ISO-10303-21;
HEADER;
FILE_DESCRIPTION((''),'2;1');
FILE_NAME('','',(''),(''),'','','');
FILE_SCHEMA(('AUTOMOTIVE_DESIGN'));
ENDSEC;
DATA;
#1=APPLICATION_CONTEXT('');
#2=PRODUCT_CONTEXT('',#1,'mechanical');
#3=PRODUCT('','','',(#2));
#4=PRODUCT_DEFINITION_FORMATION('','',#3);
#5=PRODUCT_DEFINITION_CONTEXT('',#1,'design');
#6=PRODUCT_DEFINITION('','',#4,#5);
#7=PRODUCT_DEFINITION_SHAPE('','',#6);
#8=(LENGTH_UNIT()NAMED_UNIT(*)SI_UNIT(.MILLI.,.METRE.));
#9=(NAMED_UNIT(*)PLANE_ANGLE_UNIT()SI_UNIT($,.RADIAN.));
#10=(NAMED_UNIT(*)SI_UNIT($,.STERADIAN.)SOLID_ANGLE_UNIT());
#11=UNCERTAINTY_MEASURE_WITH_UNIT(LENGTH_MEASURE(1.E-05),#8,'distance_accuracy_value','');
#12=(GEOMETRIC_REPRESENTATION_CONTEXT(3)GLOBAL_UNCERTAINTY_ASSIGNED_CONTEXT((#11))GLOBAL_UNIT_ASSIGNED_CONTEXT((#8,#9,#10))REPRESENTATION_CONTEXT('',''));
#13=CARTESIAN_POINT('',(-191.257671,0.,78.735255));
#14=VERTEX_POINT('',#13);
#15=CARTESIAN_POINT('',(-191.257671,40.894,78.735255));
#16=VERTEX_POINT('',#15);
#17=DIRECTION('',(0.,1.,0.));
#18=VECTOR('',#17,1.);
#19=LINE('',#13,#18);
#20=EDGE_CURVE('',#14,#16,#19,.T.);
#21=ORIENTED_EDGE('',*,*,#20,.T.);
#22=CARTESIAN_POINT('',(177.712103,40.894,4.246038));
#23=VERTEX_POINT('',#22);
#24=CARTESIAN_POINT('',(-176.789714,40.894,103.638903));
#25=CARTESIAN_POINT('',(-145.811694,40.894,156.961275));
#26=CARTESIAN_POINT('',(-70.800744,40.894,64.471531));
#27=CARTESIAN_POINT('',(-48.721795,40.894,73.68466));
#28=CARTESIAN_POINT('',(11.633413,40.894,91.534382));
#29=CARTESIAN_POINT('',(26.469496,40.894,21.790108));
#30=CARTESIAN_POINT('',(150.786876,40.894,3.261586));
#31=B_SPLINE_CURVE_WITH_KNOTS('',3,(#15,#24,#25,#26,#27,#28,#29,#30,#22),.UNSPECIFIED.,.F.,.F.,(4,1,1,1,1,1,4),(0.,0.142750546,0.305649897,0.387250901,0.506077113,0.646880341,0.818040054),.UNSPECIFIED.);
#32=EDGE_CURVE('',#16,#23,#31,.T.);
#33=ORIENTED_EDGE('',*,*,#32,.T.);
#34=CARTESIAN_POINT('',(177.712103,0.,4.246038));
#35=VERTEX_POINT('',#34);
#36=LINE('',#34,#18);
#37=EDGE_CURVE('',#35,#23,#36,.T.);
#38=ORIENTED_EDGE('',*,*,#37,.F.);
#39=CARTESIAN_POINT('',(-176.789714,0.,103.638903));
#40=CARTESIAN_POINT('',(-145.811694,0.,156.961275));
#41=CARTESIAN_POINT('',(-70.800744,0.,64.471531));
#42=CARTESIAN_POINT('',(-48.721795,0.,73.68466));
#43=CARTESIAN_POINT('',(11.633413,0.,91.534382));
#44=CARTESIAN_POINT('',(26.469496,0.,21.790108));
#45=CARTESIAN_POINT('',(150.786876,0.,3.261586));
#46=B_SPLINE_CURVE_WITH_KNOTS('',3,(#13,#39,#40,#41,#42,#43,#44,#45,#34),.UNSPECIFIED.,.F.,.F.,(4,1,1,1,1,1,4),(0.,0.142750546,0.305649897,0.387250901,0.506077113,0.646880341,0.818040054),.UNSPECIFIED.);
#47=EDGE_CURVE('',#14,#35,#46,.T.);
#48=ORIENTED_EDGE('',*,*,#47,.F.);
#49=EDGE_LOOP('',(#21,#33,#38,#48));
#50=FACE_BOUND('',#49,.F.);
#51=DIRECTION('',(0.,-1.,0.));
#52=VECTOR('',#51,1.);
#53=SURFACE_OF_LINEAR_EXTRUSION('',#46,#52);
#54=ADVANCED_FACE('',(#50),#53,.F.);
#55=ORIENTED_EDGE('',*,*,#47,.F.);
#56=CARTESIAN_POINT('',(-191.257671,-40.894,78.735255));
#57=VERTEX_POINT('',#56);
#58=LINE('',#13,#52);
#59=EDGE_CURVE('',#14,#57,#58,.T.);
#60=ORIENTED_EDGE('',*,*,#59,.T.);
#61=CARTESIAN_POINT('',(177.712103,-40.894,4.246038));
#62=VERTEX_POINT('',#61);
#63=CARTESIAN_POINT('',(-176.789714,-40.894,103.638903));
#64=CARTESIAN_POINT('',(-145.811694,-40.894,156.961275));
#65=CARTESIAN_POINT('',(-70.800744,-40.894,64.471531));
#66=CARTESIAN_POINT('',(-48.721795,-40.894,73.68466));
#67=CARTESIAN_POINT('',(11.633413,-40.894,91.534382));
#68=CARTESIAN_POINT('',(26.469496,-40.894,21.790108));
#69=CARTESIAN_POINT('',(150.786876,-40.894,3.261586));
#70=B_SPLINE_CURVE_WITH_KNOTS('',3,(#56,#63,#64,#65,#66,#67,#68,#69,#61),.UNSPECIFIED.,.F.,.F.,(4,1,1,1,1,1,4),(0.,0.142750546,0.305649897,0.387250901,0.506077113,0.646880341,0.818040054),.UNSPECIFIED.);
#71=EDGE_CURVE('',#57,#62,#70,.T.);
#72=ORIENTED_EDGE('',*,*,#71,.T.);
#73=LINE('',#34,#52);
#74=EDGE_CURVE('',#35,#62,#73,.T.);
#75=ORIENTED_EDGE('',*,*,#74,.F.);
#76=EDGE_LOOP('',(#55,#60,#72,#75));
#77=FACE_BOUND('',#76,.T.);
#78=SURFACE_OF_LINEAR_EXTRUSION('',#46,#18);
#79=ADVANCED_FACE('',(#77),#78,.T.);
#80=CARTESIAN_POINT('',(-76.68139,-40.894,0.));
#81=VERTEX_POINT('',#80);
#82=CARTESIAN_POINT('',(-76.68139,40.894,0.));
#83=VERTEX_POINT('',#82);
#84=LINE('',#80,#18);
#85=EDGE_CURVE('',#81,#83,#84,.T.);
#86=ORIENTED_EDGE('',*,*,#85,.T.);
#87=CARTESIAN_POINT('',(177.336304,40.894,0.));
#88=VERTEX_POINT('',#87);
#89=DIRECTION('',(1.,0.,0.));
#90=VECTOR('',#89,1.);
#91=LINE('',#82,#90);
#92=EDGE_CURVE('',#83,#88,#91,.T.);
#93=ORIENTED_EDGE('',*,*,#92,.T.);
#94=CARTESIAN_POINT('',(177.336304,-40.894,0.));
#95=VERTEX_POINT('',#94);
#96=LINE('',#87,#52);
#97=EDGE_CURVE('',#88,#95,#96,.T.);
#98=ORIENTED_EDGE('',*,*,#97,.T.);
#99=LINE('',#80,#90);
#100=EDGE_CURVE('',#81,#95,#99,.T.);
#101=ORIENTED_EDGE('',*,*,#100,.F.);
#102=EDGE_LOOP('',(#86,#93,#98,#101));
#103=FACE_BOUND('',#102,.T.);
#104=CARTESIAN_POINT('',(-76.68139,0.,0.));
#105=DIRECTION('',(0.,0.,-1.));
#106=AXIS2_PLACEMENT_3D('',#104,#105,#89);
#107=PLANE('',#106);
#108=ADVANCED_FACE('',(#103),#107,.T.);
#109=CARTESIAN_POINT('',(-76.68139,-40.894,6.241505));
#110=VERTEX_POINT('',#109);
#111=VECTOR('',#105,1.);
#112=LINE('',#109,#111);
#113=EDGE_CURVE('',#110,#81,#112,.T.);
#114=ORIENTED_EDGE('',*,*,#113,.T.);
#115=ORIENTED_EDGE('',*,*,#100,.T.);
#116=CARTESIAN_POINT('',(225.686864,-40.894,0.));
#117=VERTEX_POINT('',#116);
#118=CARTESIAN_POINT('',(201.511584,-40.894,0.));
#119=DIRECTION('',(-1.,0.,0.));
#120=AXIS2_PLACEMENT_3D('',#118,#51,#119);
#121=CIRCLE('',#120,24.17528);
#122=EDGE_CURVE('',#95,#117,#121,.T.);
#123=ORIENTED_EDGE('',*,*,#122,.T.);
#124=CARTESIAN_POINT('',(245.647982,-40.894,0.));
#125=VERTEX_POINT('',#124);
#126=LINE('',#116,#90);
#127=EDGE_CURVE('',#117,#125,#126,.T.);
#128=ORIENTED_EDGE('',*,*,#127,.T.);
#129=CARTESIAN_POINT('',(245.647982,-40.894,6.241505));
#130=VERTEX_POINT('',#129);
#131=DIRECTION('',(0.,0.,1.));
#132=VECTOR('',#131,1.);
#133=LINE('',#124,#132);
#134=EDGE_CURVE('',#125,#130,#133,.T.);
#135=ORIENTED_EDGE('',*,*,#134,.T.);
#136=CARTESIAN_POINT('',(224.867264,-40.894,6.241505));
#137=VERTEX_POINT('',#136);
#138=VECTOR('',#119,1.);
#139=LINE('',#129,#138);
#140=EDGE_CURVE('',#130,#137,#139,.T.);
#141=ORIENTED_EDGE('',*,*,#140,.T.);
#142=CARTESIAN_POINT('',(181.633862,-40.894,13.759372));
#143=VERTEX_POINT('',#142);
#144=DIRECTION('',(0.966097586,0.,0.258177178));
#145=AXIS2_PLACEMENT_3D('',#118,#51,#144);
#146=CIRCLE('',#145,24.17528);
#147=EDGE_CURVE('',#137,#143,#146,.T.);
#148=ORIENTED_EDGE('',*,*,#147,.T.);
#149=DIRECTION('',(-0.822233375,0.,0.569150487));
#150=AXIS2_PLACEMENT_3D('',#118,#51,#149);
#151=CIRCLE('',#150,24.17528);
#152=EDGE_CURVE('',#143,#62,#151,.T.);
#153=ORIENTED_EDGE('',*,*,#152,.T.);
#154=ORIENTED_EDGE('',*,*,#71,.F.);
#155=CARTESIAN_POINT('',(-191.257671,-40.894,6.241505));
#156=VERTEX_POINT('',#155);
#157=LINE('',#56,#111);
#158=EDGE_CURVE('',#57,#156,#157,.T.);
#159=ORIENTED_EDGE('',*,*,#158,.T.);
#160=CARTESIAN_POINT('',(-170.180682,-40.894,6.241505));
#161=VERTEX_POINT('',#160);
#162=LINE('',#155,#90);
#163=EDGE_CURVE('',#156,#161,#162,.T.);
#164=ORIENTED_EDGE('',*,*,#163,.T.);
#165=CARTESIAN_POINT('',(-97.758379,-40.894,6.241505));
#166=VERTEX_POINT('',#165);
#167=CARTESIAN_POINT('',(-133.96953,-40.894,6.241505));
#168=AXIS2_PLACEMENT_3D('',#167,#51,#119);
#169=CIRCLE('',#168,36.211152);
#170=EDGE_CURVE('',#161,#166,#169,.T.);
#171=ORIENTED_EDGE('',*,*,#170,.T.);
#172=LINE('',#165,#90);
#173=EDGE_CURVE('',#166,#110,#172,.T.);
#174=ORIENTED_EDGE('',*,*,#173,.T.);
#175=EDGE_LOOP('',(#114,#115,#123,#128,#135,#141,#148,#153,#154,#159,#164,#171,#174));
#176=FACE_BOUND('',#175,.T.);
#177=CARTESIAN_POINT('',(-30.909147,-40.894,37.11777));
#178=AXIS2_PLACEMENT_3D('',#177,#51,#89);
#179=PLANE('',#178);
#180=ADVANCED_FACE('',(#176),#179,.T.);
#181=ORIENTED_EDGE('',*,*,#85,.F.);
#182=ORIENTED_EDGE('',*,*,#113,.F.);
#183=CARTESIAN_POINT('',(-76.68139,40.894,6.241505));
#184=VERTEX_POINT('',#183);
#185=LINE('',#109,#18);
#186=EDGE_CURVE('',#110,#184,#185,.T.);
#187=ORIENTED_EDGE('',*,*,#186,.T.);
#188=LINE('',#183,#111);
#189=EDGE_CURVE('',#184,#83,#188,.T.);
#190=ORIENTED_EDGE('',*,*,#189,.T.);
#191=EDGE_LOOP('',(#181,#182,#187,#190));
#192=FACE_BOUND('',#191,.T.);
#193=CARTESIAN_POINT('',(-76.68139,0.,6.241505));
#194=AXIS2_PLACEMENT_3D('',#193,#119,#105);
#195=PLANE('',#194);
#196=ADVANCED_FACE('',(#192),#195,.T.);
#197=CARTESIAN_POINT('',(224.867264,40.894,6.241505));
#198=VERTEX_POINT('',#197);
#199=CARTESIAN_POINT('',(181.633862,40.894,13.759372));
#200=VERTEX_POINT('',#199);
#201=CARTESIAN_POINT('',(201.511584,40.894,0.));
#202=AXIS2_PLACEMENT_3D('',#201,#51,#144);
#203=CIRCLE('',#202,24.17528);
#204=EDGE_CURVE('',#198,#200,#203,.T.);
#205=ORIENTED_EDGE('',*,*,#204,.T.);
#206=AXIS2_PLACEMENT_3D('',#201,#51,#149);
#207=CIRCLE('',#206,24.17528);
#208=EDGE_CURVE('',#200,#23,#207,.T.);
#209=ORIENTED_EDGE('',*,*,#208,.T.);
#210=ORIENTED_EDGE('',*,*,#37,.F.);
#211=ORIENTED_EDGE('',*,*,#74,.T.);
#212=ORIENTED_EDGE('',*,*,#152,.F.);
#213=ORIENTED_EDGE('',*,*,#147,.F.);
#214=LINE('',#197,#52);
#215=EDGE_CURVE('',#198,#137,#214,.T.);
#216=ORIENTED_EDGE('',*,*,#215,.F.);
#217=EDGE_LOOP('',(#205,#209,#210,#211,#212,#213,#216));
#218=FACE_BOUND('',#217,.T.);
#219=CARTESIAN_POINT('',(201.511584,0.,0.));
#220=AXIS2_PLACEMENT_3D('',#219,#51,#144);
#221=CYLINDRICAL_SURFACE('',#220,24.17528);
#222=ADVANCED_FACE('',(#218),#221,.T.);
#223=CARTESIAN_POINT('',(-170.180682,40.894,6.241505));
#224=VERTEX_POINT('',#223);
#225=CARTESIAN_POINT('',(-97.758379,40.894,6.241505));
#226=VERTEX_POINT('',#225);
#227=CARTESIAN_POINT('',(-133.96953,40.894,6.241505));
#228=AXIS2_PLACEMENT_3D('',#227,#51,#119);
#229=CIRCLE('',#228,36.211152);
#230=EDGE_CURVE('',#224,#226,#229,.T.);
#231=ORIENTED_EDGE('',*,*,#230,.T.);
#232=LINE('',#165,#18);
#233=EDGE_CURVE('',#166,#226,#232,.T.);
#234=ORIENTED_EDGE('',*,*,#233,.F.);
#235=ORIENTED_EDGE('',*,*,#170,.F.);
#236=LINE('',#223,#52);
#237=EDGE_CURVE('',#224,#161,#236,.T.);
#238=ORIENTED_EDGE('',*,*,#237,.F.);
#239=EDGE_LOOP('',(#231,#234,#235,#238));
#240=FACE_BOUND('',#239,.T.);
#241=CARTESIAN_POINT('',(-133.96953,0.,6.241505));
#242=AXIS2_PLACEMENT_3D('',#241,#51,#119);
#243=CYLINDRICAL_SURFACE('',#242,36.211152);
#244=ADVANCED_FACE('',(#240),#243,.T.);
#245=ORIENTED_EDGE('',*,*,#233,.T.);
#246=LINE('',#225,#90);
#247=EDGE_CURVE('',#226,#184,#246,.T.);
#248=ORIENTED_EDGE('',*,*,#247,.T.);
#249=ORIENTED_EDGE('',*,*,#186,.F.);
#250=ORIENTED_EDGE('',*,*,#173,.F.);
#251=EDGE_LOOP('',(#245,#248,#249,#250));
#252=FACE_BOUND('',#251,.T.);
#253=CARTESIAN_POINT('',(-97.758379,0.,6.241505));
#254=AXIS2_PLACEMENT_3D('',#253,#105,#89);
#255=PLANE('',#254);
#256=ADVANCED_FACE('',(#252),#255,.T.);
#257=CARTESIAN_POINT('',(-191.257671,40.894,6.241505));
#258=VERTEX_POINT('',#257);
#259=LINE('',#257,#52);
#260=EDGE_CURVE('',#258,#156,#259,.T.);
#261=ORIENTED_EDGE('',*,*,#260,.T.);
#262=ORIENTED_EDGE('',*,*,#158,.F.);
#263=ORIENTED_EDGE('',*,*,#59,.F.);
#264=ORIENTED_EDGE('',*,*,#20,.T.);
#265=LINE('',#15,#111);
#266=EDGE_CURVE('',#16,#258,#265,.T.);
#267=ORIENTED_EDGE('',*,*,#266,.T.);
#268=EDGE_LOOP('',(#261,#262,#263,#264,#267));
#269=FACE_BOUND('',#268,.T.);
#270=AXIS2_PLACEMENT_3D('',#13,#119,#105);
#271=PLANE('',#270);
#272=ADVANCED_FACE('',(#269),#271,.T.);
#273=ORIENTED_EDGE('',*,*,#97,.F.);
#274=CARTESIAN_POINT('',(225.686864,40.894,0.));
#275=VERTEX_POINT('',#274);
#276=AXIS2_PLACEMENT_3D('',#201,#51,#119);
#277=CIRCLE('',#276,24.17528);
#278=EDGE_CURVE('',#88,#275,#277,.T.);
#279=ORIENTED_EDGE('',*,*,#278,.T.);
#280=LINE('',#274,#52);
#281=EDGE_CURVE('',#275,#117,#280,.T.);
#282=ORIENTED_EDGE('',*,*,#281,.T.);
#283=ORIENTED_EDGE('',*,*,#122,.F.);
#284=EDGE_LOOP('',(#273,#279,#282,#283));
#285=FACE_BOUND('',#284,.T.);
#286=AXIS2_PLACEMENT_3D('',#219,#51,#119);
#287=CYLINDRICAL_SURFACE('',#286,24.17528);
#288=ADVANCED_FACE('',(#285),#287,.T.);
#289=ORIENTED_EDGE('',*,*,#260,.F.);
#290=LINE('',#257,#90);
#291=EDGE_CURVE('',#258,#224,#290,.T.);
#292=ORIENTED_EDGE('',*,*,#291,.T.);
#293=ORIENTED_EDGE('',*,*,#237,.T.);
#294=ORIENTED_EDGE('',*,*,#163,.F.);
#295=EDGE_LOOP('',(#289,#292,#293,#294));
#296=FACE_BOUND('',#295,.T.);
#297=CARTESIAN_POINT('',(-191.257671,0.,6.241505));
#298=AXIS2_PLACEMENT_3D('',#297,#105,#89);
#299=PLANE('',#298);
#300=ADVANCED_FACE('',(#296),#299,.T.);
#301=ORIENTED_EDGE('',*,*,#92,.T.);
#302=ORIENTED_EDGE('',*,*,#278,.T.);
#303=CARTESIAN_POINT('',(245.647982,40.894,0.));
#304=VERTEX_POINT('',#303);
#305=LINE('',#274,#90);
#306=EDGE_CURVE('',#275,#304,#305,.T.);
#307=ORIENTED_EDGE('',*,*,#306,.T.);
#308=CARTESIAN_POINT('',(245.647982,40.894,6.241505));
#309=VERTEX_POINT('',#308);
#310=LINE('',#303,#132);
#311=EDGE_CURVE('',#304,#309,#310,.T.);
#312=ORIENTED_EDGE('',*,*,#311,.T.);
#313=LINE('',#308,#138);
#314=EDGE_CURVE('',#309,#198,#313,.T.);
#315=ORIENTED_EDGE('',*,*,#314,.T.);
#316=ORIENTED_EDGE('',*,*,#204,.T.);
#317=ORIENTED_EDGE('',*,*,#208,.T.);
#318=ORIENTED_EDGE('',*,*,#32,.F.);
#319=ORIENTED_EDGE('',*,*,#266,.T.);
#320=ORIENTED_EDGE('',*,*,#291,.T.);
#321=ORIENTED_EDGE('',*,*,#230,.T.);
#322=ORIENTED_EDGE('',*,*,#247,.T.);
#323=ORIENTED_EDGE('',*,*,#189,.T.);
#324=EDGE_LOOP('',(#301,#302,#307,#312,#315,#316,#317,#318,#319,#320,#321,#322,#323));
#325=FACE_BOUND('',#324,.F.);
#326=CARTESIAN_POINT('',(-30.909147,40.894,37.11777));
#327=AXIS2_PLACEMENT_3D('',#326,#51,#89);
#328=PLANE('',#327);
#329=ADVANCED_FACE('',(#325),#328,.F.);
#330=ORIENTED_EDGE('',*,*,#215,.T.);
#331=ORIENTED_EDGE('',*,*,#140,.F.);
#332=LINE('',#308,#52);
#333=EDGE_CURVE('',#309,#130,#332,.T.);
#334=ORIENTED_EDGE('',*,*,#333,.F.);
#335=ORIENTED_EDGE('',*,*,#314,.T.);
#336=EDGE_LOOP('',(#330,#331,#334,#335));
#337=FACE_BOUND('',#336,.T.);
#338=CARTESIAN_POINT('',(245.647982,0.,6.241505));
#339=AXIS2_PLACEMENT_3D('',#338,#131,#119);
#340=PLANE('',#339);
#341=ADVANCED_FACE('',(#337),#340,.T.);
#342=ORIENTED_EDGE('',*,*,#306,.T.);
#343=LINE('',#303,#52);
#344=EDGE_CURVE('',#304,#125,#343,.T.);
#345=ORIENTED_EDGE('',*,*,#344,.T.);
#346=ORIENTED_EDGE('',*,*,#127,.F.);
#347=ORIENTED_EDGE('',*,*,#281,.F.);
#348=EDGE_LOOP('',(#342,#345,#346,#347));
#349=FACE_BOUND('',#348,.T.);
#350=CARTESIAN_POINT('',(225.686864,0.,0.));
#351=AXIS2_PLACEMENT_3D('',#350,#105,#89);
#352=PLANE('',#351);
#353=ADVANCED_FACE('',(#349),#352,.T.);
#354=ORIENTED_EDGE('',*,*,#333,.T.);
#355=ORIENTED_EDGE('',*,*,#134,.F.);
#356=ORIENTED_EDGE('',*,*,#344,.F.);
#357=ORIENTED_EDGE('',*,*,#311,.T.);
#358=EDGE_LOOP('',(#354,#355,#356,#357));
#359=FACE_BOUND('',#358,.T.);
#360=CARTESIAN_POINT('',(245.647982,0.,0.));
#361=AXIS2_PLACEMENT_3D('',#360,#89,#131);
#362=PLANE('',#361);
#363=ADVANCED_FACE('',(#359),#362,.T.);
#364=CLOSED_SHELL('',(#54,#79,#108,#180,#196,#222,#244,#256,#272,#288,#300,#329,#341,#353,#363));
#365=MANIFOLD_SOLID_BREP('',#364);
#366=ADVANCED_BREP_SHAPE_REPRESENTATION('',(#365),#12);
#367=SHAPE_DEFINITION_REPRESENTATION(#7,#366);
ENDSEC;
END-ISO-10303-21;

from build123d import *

# Parameters (mm, degrees)
F1_DEPTH = 40.894


with BuildPart() as f1:
    # F0 (on Front) → F1 (new body, symmetric)
    with BuildSketch(Plane.XZ):
        with BuildLine():
            Line((-76.6813904047, 0), (0, 0))
            Line((0, 0), (177.3363044405, 0))
            ThreePointArc((177.3363044405, 0), (177.4304373111, 2.1313178945), (177.7121028601, 4.2460380848))
            add(Edge.make_bspline(
                [(-191.2576705217, 78.735254705), (-176.7897142616, 103.6389034097), (-145.811693862, 156.9612748441), (-70.8007437924, 64.4715314557), (-48.7217952677, 73.6846603691), (11.6334131844, 91.5343821925), (26.4694964535, 21.7901076067), (150.7868761319, 3.2615863275), (177.7121028601, 4.2460380848)],
                knots=[0, 0, 0, 0, 0.1427505464, 0.3056498968, 0.3872509014, 0.5060771131, 0.6468803412, 0.8180400538, 0.8180400538, 0.8180400538, 0.8180400538], degree=3))
            Line((-191.2576705217, 78.735254705), (-191.2576705217, 6.2415054999))
            Line((-191.2576705217, 6.2415054999), (-170.1806822344, 6.2415054999))
            ThreePointArc((-170.1806822344, 6.2415054999), (-133.9695304632, 42.4526572712), (-97.758378692, 6.2415054999))
            Line((-97.758378692, 6.2415054999), (-76.6813904047, 6.2415054999))
            Line((-76.6813904047, 6.2415054999), (-76.6813904047, 0))
        make_face()
        with BuildLine():
            ThreePointArc((177.7121028601, 4.2460380848), (177.4304373111, 2.1313178945), (177.3363044405, 0))
            Line((177.3363044405, 0), (188.1369203329, 0))
            Line((188.1369203329, 0), (214.8862481117, 0))
            Line((214.8862481117, 0), (225.6868640041, 0))
            ThreePointArc((225.6868640041, 0), (225.4810881516, 3.1475441078), (224.867263652, 6.2415054999))
            Line((224.867263652, 6.2415054999), (214.8862481117, 6.2415054999))
            add(Edge.make_bspline(
                [(214.8862481117, 6.2415054999), (211.4686790941, 9.9028269528), (204.3524508043, 17.5266084088), (189.9467467672, 6.8039804975), (188.3806139351, 6.2415055042)],
                knots=[0, 0, 0, 0, 0.4416018613, 0.9195248558, 0.9195248558, 0.9195248558, 0.9195248558], degree=3))
            add(Edge.make_bspline(
                [(177.7121028601, 4.2460380848), (183.1855197187, 4.4461595137), (186.9530150931, 5.1070474778), (188.3806139297, 6.2415055052)],
                knots=[0.8180400538, 0.8180400538, 0.8180400538, 0.8180400538, 0.852833761, 0.852833761, 0.852833761, 0.852833761], degree=3))
        make_face()
        with BuildLine():
            Line((188.1369203329, 0), (177.3363044405, 0))
            ThreePointArc((177.3363044405, 0), (201.5115842223, -24.1752797818), (225.6868640041, 0))
            Line((225.6868640041, 0), (214.8862481117, 0))
            Line((214.8862481117, 0), (188.1369203329, 0))
        make_face()
        with BuildLine():
            ThreePointArc((181.633862326, 13.759372251), (179.160960006, 9.2137804221), (177.7121028601, 4.2460380848))
            add(Edge.make_bspline(
                [(177.7121028601, 4.2460380848), (183.1855197187, 4.4461595137), (186.9530150931, 5.1070474778), (188.3806139297, 6.2415055052)],
                knots=[0.8180400538, 0.8180400538, 0.8180400538, 0.8180400538, 0.852833761, 0.852833761, 0.852833761, 0.852833761], degree=3))
            add(Edge.make_bspline(
                [(188.3806139297, 6.2415055052), (190.4374784842, 7.8760168576), (187.6370347083, 10.4935955276), (181.6338623191, 13.7593722558)],
                knots=[0.852833761, 0.852833761, 0.852833761, 0.852833761, 0.9029640508, 0.9029640508, 0.9029640508, 0.9029640508], degree=3))
        make_face()
        with BuildLine():
            ThreePointArc((224.867263652, 6.2415054999), (225.4810881516, 3.1475441078), (225.6868640041, 0))
            Line((225.6868640041, 0), (245.6479817629, 0))
            Line((245.6479817629, 0), (245.6479817629, 6.2415054999))
            Line((245.6479817629, 6.2415054999), (224.867263652, 6.2415054999))
        make_face()
        with BuildLine():
            ThreePointArc((-170.1806822344, 6.2415054999), (-133.9695304632, -29.9696462713), (-97.758378692, 6.2415054999))
            Line((-97.758378692, 6.2415054999), (-170.1806822344, 6.2415054999))
        make_face()
        with BuildLine():
            Line((-170.1806822344, 6.2415054999), (-97.758378692, 6.2415054999))
            ThreePointArc((-97.758378692, 6.2415054999), (-133.9695304632, 42.4526572712), (-170.1806822344, 6.2415054999))
        make_face()
        with BuildLine():
            add(Edge.make_bspline(
                [(188.3806139297, 6.2415055052), (190.4374784842, 7.8760168576), (187.6370347083, 10.4935955276), (181.6338623191, 13.7593722558)],
                knots=[0.852833761, 0.852833761, 0.852833761, 0.852833761, 0.9029640508, 0.9029640508, 0.9029640508, 0.9029640508], degree=3))
            add(Edge.make_bspline(
                [(214.8862481117, 6.2415054999), (211.4686790941, 9.9028269528), (204.3524508043, 17.5266084088), (189.9467467672, 6.8039804975), (188.3806139351, 6.2415055042)],
                knots=[0, 0, 0, 0, 0.4416018613, 0.9195248558, 0.9195248558, 0.9195248558, 0.9195248558], degree=3))
            Line((214.8862481117, 6.2415054999), (224.867263652, 6.2415054999))
            ThreePointArc((224.867263652, 6.2415054999), (205.6532779909, 23.8178614753), (181.633862326, 13.759372251))
        make_face()
    extrude(amount=F1_DEPTH, both=True)


solid = f1.part
